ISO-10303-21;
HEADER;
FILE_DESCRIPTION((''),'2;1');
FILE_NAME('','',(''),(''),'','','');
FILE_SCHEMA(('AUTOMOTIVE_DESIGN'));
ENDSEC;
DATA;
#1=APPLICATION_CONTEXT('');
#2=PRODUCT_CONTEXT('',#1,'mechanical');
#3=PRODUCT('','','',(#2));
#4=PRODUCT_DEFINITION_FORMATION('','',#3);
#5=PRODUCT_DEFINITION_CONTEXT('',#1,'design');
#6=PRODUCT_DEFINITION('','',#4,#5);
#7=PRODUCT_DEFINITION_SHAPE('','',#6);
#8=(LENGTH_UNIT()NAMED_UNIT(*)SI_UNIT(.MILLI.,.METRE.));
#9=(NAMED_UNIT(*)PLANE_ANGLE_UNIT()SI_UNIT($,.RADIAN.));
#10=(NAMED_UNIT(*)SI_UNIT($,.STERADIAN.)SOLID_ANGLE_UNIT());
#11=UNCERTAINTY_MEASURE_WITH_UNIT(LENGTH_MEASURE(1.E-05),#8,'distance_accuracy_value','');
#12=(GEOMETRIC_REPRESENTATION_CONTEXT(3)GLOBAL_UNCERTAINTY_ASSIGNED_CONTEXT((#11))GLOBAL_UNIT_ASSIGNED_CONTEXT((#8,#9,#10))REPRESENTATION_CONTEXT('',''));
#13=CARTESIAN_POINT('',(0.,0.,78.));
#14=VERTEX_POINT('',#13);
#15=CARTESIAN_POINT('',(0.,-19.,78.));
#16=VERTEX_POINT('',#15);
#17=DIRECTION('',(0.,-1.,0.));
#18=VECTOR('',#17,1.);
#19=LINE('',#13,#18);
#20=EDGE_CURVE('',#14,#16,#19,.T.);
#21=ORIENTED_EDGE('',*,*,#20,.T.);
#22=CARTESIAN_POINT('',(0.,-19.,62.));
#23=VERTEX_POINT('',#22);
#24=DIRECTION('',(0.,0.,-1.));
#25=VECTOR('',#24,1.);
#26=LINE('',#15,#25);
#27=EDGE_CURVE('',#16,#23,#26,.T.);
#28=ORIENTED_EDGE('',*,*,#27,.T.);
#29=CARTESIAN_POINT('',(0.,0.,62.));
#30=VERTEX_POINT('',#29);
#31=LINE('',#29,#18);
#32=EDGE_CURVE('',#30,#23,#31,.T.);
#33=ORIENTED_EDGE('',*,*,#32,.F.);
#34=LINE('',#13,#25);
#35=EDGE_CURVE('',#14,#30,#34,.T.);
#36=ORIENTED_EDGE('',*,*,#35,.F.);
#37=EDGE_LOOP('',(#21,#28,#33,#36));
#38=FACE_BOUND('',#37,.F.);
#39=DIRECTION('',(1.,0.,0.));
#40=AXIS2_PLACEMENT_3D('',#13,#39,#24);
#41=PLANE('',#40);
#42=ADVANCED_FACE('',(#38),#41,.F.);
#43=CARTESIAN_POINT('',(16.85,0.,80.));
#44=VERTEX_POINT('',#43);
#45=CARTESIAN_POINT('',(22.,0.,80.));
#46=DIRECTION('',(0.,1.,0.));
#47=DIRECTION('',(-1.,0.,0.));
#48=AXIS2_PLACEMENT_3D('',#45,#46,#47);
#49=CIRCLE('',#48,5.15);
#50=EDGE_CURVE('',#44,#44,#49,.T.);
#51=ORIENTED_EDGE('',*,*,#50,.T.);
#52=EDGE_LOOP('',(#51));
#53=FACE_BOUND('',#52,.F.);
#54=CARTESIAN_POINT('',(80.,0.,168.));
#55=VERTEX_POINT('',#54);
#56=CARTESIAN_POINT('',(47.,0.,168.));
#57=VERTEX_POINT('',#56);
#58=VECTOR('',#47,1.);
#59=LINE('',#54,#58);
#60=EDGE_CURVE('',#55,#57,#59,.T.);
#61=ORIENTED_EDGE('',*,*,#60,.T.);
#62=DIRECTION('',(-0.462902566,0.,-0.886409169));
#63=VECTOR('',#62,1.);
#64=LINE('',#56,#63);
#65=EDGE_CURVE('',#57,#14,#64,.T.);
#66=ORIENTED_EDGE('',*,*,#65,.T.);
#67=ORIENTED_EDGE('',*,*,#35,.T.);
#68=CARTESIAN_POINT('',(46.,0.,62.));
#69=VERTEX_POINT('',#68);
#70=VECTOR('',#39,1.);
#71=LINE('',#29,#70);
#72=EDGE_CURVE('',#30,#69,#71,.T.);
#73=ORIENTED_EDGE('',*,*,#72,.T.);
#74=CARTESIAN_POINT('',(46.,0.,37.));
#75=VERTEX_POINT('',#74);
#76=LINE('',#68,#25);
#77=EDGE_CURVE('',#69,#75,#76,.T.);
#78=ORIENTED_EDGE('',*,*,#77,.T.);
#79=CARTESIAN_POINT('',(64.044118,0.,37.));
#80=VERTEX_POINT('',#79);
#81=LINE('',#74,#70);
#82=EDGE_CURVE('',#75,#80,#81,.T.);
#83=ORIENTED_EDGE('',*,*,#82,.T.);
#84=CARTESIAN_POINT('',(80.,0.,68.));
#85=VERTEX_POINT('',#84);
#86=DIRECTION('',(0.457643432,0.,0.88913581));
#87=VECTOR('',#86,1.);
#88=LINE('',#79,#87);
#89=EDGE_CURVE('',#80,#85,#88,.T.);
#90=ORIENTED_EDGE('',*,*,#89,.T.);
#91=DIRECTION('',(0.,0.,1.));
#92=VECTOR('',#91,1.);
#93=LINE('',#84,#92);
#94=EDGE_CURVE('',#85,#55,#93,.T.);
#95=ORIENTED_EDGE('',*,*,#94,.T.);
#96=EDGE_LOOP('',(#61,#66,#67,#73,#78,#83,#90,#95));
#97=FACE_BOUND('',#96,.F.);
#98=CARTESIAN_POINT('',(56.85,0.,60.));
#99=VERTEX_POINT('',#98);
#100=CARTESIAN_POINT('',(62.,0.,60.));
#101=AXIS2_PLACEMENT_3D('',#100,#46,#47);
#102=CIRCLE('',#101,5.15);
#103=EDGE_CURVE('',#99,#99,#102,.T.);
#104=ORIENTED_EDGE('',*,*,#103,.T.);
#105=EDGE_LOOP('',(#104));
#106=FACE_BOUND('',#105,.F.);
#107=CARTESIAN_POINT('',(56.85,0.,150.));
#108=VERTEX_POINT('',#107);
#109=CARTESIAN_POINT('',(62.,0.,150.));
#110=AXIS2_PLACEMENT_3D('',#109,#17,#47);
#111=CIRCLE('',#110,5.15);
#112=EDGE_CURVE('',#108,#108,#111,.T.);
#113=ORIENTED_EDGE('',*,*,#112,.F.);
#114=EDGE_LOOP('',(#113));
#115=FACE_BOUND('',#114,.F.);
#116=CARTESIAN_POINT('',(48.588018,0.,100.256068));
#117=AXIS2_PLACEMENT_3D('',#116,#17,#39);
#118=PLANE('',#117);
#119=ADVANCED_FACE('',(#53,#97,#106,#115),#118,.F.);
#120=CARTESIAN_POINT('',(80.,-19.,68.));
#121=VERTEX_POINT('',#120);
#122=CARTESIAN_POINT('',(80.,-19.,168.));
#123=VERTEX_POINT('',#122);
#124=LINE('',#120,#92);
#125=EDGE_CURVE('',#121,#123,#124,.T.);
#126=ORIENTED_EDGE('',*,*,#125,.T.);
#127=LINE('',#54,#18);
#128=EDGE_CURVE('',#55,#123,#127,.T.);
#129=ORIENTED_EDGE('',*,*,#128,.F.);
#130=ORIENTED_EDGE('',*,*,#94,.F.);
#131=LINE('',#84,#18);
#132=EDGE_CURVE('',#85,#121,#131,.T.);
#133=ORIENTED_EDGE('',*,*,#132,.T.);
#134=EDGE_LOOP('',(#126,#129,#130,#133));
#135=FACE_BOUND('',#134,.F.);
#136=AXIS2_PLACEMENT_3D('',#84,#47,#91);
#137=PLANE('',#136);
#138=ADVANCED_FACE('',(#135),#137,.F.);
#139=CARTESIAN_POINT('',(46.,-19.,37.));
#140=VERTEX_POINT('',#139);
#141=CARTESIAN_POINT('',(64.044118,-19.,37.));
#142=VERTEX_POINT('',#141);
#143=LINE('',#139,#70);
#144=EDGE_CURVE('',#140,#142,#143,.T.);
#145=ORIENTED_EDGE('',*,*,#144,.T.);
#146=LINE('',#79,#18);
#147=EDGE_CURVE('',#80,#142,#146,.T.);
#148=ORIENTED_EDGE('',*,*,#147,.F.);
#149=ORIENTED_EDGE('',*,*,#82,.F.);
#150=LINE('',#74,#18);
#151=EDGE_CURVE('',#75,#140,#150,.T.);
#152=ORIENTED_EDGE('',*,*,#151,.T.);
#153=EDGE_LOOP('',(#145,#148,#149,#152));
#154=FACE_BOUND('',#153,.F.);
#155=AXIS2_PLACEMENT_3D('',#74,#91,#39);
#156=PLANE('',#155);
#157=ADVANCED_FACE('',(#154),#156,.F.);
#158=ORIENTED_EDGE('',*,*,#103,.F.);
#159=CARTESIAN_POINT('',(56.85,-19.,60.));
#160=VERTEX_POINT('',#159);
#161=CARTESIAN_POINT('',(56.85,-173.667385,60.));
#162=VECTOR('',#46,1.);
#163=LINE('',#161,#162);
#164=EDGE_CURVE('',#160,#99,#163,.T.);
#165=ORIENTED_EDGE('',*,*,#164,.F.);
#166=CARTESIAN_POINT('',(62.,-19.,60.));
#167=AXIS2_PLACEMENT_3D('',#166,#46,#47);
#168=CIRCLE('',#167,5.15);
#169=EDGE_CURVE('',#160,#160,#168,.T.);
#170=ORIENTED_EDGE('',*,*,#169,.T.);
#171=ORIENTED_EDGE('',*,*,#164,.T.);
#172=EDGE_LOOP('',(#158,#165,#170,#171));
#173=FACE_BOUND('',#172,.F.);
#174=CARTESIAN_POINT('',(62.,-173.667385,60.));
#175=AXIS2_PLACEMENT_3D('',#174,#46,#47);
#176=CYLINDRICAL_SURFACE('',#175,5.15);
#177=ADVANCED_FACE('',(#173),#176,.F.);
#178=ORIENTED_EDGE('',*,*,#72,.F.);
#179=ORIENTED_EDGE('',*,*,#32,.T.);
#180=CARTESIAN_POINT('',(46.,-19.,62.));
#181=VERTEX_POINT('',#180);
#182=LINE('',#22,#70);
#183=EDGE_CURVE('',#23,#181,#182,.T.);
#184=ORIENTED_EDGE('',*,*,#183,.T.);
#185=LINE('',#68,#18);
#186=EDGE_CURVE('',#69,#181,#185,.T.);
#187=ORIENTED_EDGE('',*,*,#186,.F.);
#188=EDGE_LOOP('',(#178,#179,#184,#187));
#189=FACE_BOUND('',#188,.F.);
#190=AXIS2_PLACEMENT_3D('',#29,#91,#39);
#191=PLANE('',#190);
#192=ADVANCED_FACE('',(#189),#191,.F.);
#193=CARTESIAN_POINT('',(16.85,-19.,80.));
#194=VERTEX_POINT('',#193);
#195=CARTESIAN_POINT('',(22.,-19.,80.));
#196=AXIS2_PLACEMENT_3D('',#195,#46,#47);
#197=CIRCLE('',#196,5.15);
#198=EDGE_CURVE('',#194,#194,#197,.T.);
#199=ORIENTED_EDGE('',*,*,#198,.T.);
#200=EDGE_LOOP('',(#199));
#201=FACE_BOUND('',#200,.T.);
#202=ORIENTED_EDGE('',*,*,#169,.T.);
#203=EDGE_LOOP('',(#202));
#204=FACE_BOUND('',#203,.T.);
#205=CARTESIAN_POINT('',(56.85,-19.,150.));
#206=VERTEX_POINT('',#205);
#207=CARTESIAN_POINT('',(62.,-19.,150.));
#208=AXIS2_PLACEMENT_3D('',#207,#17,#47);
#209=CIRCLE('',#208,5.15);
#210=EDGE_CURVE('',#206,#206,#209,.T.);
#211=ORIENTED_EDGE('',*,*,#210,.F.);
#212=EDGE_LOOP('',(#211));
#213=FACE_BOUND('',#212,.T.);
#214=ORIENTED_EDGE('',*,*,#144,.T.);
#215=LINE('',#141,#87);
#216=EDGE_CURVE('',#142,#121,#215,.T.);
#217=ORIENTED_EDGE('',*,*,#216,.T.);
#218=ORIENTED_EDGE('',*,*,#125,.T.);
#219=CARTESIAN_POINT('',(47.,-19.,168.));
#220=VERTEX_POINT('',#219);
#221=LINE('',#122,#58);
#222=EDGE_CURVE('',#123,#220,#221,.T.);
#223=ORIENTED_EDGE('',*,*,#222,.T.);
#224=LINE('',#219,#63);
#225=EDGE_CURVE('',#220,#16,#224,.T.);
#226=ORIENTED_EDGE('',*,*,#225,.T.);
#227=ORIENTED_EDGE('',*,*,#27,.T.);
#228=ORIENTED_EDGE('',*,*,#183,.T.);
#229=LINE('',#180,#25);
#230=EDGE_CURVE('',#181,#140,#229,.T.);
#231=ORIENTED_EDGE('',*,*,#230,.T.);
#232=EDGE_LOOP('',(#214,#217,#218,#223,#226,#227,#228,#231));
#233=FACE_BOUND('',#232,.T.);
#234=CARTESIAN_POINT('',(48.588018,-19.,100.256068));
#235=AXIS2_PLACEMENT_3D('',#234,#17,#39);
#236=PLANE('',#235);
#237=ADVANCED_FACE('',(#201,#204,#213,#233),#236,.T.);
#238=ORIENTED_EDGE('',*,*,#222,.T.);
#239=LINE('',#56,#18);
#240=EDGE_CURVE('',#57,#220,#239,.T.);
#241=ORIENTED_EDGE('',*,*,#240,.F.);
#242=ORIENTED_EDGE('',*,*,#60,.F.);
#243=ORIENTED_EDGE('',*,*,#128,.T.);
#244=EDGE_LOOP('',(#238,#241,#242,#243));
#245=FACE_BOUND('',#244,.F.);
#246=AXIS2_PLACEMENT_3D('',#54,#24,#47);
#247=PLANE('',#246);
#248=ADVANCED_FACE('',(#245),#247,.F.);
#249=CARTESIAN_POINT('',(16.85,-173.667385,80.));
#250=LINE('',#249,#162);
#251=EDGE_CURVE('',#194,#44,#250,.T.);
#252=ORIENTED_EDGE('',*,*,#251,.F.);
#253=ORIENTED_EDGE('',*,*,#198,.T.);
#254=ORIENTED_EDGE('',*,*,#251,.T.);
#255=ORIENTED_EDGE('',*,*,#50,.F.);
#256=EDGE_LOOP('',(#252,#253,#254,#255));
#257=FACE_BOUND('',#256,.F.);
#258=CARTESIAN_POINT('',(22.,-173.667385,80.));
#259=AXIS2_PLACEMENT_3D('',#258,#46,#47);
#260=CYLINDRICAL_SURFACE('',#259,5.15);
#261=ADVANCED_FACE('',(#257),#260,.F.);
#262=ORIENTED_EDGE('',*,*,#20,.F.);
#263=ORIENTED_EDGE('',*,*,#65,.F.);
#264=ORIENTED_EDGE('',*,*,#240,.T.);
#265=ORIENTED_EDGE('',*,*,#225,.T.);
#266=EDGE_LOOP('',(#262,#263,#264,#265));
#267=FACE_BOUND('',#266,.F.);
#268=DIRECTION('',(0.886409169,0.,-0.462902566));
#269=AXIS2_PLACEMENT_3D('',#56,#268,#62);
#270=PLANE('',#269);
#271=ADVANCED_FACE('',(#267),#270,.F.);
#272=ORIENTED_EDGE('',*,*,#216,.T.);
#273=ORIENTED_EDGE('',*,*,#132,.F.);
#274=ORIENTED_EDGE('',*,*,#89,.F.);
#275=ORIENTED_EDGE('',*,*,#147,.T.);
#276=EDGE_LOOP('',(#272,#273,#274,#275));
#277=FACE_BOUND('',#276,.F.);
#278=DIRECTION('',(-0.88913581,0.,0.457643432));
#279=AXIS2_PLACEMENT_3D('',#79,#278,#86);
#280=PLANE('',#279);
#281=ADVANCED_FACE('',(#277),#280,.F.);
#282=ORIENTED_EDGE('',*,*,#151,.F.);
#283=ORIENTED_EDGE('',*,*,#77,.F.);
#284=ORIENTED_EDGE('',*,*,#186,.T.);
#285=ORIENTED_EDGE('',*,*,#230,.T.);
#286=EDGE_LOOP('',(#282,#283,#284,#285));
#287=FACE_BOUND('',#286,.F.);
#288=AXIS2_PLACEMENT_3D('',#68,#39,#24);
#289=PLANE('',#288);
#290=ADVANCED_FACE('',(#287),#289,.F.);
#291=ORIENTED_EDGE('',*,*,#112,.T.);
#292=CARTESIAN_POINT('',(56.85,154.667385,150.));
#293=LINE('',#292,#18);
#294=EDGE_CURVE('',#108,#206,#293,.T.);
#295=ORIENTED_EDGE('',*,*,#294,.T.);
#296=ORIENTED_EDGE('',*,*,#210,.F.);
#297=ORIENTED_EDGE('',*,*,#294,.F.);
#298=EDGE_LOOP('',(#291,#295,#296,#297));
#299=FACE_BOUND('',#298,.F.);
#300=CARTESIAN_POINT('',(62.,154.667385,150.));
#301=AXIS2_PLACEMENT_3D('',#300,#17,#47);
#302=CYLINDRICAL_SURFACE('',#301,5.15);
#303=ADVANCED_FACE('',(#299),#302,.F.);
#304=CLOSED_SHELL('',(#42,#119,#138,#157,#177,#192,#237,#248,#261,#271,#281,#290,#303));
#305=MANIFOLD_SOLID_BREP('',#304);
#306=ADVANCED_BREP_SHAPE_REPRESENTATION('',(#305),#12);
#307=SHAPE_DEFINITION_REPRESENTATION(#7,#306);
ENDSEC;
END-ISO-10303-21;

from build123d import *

# Parameters (mm, degrees)
F1_DEPTH = 19
F2_D     = 10.3
F4_D     = 10.3


with BuildPart() as f1:
    # F0 (on Front) → F1 (new body)
    with BuildSketch(Plane.XZ):
        Polygon((80, 168), (47, 168), (0, 78), (0, 62), (46, 62), (46, 37), (64.0441176471, 37), (80, 68), align=None)
    extrude(amount=F1_DEPTH)

    # F2 (through all)
    with Locations(Plane(origin=(0, 0, 0), x_dir=(1, 0, 0), z_dir=(0, 1, 0))):
        with Locations((62, -150)):
            Hole(F2_D / 2)

    # F4 (through all)
    with Locations(Plane.XZ.offset(19)):
        with Locations((22, 80), (62, 60)):
            Hole(F4_D / 2)


solid = f1.part
